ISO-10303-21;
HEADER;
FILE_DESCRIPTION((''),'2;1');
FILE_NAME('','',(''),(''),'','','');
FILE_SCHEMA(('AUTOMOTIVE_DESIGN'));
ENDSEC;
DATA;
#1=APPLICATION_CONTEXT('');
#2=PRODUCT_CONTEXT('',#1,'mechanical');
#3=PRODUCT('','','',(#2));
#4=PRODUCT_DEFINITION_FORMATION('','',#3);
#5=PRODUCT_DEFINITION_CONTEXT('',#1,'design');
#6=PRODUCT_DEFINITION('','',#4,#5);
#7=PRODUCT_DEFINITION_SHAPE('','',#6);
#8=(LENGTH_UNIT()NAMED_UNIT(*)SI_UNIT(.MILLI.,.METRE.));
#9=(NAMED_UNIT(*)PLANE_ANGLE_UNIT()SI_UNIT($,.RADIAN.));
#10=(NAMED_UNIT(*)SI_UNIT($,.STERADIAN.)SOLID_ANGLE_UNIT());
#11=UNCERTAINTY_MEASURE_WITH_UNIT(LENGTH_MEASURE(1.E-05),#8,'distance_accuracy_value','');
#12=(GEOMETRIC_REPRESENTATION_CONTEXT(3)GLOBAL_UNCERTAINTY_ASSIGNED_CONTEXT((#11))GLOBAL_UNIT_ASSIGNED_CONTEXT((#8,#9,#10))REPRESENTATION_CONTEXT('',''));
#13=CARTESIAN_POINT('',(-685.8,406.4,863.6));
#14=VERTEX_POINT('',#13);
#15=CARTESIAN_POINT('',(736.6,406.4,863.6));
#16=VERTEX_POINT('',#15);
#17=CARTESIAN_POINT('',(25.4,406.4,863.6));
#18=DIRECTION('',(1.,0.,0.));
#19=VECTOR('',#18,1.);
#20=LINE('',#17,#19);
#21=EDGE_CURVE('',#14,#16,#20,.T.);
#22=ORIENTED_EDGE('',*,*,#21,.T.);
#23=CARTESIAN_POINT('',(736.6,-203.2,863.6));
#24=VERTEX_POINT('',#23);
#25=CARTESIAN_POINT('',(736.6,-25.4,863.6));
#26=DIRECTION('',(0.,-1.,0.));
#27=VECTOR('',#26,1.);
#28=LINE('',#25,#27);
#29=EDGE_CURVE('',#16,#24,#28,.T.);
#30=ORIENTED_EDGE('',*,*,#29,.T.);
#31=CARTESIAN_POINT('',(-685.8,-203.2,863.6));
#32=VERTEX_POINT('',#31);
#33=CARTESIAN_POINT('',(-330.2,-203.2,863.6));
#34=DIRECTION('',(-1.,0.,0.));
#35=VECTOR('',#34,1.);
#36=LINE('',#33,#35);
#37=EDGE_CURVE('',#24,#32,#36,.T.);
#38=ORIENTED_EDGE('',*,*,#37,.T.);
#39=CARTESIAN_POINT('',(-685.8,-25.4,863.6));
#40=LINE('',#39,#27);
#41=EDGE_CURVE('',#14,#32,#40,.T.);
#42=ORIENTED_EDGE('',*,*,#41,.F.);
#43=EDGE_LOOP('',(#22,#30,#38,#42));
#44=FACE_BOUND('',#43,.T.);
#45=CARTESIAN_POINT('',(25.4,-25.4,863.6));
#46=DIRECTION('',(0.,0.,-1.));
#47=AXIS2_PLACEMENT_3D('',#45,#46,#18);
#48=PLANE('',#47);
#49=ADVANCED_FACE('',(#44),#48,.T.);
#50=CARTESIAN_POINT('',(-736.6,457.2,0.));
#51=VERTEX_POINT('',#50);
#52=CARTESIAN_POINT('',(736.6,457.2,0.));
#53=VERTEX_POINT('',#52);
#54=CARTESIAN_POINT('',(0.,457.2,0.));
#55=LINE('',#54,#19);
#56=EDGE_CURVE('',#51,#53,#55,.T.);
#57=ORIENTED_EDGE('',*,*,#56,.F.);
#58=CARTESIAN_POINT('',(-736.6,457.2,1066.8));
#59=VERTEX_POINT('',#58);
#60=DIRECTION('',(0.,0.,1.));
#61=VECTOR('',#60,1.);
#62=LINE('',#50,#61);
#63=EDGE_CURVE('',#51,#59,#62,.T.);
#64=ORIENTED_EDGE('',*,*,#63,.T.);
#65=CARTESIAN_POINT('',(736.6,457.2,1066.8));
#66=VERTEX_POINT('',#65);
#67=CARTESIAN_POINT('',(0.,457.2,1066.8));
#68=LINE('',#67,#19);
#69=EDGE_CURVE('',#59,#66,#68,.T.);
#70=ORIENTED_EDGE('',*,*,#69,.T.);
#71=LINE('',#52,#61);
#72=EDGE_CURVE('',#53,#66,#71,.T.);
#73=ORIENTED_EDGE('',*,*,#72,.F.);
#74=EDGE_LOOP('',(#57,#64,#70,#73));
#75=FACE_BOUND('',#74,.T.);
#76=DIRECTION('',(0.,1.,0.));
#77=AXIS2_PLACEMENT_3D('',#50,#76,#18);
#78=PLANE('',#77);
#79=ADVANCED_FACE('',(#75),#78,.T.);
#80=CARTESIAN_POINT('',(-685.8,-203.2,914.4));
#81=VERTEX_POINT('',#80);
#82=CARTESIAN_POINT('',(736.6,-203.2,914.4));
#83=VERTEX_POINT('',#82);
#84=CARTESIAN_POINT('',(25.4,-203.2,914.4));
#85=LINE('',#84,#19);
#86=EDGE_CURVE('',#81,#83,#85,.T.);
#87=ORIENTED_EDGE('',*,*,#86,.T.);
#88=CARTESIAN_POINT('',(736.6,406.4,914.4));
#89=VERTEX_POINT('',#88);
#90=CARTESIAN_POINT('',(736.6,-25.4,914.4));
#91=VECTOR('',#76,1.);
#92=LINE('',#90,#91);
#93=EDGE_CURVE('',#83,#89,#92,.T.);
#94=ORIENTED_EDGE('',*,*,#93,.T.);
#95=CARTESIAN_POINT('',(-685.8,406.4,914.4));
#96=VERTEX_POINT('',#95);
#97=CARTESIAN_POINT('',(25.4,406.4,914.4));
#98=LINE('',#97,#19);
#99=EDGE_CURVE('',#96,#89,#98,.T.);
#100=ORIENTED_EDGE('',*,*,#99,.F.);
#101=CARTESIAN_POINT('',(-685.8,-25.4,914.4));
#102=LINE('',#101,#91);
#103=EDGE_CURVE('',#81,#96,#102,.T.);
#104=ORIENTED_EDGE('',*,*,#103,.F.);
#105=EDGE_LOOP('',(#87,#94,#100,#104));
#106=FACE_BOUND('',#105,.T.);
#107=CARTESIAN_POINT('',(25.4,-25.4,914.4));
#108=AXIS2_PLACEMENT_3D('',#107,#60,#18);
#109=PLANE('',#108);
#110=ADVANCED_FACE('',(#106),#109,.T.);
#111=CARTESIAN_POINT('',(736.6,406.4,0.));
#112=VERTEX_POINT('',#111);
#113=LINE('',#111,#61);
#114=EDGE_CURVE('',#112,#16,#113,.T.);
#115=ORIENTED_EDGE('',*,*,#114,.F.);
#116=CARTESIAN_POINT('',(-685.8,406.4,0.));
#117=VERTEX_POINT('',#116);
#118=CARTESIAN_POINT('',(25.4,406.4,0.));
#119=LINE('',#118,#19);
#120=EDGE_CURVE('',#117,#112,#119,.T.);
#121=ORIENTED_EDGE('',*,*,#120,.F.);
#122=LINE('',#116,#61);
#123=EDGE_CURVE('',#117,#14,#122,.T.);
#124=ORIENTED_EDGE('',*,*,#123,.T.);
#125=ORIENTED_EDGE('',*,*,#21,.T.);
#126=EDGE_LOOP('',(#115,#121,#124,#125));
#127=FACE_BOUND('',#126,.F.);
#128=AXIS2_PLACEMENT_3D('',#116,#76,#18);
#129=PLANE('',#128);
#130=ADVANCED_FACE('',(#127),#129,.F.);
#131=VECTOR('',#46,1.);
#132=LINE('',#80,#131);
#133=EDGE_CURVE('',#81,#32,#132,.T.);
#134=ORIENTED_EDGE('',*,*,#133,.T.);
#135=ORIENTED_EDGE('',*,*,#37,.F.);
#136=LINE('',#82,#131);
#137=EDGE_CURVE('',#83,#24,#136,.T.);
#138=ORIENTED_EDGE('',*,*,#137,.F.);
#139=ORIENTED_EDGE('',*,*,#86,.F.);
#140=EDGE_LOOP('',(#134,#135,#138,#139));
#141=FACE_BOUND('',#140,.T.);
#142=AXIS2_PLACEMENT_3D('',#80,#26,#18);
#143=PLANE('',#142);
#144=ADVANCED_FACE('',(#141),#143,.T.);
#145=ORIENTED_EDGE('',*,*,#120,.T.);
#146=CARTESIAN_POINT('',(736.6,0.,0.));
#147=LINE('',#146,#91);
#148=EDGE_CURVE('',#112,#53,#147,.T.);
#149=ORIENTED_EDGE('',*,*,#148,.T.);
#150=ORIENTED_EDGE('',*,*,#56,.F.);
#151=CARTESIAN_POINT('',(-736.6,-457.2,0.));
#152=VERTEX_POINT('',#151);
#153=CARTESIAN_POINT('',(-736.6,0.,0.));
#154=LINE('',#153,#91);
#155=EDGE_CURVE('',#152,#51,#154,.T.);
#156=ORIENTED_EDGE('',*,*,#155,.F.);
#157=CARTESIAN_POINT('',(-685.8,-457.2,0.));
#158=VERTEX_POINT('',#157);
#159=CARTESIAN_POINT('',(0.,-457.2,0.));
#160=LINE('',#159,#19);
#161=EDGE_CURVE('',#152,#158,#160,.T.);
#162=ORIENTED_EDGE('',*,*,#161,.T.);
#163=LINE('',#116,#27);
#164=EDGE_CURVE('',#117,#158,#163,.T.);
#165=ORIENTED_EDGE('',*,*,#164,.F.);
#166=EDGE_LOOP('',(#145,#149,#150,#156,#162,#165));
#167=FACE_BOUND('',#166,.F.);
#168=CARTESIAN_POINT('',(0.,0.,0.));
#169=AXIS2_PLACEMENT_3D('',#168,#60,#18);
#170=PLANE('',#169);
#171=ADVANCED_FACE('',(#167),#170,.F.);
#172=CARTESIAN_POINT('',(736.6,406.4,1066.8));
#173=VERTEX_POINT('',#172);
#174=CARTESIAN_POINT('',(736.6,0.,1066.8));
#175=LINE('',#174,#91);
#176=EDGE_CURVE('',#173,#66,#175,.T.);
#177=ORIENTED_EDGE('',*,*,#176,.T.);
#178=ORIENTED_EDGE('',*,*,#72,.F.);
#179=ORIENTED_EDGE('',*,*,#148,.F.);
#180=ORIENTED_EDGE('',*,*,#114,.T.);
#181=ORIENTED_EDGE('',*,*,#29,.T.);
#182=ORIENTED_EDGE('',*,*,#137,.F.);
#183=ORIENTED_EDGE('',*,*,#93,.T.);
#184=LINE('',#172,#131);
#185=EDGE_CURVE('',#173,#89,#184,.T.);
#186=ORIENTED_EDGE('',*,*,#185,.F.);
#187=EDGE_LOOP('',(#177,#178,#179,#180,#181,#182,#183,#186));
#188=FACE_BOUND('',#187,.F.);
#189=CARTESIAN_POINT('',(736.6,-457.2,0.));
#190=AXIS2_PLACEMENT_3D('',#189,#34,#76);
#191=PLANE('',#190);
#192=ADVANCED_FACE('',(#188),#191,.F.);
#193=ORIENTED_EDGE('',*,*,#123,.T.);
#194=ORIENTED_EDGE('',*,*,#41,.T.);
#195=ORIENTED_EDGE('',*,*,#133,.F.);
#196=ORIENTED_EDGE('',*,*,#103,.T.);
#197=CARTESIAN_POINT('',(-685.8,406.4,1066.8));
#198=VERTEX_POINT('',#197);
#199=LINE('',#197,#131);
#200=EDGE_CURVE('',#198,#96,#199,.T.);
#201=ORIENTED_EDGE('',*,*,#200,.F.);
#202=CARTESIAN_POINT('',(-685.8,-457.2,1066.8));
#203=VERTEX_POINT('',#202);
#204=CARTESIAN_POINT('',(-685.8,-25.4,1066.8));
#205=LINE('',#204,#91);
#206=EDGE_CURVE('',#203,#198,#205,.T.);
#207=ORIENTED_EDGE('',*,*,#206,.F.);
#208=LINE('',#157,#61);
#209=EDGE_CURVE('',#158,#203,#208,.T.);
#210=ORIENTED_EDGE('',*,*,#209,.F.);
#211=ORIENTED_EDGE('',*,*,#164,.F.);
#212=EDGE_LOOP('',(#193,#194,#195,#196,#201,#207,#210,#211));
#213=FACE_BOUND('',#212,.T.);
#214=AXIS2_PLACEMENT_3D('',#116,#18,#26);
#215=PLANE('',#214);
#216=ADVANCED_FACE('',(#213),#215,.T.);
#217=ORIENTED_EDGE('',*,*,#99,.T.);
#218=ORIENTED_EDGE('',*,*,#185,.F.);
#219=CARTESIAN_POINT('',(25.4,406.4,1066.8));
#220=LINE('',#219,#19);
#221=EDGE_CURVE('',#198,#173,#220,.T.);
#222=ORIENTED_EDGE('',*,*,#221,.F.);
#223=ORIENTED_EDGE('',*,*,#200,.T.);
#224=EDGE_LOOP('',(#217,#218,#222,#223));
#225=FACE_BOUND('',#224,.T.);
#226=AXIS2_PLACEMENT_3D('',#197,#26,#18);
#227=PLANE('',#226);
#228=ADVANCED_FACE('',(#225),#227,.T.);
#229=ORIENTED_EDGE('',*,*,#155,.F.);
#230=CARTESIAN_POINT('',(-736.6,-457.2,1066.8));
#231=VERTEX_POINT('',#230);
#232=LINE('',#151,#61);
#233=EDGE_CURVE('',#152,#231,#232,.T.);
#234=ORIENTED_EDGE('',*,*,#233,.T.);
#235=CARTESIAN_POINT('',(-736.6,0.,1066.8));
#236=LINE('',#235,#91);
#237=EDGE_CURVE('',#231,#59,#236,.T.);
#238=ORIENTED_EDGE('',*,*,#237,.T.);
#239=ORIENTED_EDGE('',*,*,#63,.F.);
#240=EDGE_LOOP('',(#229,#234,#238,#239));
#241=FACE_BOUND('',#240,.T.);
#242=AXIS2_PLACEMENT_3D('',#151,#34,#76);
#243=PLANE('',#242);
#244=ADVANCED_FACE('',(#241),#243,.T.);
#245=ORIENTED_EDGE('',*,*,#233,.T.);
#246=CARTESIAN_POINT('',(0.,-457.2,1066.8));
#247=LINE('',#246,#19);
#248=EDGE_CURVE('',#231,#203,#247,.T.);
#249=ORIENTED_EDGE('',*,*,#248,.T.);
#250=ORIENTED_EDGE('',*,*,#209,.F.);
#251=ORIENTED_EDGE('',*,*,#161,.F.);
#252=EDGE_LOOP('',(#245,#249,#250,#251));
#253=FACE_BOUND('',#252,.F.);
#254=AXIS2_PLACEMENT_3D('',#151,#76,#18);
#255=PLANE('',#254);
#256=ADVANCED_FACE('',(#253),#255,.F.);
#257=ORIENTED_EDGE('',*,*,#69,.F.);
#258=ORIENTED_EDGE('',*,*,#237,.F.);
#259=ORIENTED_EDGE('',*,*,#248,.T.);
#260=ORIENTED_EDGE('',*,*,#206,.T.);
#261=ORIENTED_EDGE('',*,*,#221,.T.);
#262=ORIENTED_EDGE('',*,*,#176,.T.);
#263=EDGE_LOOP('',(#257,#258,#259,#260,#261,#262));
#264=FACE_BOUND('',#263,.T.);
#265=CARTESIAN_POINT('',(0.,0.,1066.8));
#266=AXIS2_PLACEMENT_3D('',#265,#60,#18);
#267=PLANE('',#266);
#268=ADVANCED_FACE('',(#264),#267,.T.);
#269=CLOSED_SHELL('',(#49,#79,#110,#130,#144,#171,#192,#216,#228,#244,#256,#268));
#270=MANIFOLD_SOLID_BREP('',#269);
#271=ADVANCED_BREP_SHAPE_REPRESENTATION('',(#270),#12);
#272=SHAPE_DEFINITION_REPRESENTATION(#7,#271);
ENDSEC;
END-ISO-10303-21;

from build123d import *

# Parameters (mm, degrees)
F0_W     = 1473.2
F0_H     = 914.4
F1_DEPTH = 1066.8
F2_W     = 1422.4
F2_H     = 863.6
F3_DEPTH = 152.4
F4_W     = 1422.4
F4_H     = 863.6
F5_DEPTH = 863.6
F6_W     = 1422.4
F6_H     = 254
F7_DEPTH = 914.401


with BuildPart() as f1:
    # F0 (on Top) → F1 (new body)
    with BuildSketch(Plane.XY):
        Rectangle(F0_W, F0_H)
    extrude(amount=F1_DEPTH)

    # F2 (on face) → F3 (cut)
    with BuildSketch(Plane.XY.offset(1066.8)):
        with Locations((25.4, -25.4)):
            Rectangle(F2_W, F2_H)
    extrude(amount=-F3_DEPTH, mode=Mode.SUBTRACT)

    # F4 (on face) → F5 (cut)
    with BuildSketch(Plane(origin=(0, 0, 0), x_dir=(1, 0, 0), z_dir=(0, 0, -1))):
        with Locations((25.4, 25.4)):
            Rectangle(F4_W, F4_H)
    extrude(amount=-F5_DEPTH, mode=Mode.SUBTRACT)

    # F6 (on face) → F7 (cut, through all)
    with BuildSketch(Plane.XY.offset(914.4)):
        with Locations((25.4, -330.2)):
            Rectangle(F6_W, F6_H)
    extrude(amount=-F7_DEPTH, mode=Mode.SUBTRACT)


solid = f1.part
